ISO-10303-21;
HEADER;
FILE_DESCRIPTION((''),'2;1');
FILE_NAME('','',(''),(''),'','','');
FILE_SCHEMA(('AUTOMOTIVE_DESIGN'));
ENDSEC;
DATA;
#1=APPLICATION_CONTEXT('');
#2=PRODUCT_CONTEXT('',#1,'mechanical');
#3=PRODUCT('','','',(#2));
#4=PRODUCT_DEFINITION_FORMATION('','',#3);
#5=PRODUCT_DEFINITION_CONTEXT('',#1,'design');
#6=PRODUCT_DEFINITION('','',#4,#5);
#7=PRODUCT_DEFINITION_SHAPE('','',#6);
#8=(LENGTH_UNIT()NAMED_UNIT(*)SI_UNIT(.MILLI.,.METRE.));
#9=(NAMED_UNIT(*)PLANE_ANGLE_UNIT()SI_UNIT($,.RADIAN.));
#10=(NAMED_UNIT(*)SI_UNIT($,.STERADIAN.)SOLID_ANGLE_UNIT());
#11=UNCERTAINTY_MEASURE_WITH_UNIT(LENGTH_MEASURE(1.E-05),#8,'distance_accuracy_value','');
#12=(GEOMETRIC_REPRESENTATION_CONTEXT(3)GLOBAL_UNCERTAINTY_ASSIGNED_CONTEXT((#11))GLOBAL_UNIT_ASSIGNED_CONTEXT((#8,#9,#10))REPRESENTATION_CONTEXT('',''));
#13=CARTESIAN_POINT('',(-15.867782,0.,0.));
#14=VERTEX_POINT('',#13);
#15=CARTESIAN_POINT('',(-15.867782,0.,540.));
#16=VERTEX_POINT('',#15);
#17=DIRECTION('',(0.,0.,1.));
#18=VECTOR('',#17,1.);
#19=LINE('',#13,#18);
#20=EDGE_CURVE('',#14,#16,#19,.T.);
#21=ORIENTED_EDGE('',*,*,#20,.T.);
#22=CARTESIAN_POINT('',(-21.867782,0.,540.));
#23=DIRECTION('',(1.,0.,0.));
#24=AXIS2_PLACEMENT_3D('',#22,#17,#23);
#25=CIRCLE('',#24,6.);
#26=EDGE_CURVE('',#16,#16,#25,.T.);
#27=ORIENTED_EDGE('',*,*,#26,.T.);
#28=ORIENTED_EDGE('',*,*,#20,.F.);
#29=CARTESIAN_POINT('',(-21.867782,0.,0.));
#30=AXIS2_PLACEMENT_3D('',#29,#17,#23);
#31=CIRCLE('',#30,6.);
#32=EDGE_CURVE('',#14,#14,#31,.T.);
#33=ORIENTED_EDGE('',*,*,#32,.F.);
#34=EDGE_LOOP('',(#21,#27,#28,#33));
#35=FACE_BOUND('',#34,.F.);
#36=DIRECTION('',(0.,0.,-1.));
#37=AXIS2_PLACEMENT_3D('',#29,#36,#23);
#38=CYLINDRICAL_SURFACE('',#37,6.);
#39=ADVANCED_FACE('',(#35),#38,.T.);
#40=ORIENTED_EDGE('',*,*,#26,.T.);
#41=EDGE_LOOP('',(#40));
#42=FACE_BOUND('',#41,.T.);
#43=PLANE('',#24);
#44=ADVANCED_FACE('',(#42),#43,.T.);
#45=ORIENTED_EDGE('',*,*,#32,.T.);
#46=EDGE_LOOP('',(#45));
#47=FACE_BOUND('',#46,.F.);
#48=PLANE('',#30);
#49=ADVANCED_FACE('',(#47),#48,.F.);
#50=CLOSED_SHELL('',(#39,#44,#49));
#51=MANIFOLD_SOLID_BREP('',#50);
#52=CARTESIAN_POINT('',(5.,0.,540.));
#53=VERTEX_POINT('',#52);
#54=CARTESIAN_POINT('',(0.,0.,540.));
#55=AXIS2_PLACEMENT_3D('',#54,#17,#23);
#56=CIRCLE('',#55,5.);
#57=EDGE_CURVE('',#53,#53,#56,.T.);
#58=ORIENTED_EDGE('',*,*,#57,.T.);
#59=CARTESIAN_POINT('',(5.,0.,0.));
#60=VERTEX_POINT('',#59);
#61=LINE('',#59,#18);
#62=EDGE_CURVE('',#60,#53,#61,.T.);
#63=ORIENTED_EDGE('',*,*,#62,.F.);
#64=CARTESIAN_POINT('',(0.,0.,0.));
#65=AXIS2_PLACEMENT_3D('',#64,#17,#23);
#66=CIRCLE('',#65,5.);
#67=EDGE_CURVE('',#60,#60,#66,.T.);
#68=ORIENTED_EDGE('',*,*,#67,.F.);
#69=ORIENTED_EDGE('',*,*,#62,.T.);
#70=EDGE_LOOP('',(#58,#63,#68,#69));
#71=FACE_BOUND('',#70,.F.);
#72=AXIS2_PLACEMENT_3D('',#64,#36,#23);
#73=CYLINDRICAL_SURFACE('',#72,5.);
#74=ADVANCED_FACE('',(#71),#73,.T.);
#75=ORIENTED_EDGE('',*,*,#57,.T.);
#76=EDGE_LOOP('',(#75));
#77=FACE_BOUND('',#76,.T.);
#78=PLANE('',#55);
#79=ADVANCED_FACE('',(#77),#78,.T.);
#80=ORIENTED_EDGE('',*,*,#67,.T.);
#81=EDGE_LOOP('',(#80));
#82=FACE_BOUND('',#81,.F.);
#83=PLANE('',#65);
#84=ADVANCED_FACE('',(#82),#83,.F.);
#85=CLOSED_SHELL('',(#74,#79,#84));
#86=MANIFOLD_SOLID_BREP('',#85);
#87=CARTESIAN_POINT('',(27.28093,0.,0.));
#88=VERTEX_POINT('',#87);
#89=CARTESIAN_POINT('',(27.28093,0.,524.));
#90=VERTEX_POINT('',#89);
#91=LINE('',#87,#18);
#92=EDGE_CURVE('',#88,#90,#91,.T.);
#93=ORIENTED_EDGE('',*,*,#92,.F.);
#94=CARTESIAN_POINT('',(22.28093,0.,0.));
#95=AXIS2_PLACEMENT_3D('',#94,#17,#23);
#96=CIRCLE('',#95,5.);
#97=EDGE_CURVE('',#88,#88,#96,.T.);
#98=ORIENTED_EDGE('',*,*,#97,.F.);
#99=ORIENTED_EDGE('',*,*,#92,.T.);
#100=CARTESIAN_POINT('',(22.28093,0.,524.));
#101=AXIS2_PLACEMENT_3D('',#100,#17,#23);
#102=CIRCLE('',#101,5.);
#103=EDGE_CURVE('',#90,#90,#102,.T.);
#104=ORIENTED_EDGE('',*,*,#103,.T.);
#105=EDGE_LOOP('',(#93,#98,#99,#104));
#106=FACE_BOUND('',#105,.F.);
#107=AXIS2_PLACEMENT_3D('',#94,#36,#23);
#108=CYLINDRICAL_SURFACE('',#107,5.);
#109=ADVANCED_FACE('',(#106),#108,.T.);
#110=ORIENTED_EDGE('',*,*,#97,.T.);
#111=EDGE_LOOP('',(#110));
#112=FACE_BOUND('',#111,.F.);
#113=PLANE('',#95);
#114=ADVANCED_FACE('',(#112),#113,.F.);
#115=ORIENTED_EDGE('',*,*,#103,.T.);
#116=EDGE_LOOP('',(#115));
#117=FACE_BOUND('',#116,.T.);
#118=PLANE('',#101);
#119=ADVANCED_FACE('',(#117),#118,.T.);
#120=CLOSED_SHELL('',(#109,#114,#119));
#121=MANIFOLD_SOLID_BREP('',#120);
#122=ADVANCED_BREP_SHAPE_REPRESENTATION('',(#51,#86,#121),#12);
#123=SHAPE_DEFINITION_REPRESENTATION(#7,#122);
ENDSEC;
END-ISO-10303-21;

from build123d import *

# Parameters (mm, degrees)
F0_R     = 5
F1_DEPTH = 540
F2_R     = 5
F3_DEPTH = 524
F4_R     = 6
F5_DEPTH = 540


with BuildPart() as f1:
    # F0 (on Top) → F1 (new body)
    with BuildSketch(Plane.XY):
        Circle(F0_R)
    extrude(amount=F1_DEPTH)


with BuildPart() as f3:
    # F2 (on Top) → F3 (new body)
    with BuildSketch(Plane.XY):
        with Locations((22.28093, 0)):
            Circle(F2_R)
    extrude(amount=F3_DEPTH)


with BuildPart() as f5:
    # F4 (on Top) → F5 (new body)
    with BuildSketch(Plane.XY):
        with Locations((-21.867782, 0)):
            Circle(F4_R)
    extrude(amount=F5_DEPTH)


solid = Compound([f1.part, f3.part, f5.part])
